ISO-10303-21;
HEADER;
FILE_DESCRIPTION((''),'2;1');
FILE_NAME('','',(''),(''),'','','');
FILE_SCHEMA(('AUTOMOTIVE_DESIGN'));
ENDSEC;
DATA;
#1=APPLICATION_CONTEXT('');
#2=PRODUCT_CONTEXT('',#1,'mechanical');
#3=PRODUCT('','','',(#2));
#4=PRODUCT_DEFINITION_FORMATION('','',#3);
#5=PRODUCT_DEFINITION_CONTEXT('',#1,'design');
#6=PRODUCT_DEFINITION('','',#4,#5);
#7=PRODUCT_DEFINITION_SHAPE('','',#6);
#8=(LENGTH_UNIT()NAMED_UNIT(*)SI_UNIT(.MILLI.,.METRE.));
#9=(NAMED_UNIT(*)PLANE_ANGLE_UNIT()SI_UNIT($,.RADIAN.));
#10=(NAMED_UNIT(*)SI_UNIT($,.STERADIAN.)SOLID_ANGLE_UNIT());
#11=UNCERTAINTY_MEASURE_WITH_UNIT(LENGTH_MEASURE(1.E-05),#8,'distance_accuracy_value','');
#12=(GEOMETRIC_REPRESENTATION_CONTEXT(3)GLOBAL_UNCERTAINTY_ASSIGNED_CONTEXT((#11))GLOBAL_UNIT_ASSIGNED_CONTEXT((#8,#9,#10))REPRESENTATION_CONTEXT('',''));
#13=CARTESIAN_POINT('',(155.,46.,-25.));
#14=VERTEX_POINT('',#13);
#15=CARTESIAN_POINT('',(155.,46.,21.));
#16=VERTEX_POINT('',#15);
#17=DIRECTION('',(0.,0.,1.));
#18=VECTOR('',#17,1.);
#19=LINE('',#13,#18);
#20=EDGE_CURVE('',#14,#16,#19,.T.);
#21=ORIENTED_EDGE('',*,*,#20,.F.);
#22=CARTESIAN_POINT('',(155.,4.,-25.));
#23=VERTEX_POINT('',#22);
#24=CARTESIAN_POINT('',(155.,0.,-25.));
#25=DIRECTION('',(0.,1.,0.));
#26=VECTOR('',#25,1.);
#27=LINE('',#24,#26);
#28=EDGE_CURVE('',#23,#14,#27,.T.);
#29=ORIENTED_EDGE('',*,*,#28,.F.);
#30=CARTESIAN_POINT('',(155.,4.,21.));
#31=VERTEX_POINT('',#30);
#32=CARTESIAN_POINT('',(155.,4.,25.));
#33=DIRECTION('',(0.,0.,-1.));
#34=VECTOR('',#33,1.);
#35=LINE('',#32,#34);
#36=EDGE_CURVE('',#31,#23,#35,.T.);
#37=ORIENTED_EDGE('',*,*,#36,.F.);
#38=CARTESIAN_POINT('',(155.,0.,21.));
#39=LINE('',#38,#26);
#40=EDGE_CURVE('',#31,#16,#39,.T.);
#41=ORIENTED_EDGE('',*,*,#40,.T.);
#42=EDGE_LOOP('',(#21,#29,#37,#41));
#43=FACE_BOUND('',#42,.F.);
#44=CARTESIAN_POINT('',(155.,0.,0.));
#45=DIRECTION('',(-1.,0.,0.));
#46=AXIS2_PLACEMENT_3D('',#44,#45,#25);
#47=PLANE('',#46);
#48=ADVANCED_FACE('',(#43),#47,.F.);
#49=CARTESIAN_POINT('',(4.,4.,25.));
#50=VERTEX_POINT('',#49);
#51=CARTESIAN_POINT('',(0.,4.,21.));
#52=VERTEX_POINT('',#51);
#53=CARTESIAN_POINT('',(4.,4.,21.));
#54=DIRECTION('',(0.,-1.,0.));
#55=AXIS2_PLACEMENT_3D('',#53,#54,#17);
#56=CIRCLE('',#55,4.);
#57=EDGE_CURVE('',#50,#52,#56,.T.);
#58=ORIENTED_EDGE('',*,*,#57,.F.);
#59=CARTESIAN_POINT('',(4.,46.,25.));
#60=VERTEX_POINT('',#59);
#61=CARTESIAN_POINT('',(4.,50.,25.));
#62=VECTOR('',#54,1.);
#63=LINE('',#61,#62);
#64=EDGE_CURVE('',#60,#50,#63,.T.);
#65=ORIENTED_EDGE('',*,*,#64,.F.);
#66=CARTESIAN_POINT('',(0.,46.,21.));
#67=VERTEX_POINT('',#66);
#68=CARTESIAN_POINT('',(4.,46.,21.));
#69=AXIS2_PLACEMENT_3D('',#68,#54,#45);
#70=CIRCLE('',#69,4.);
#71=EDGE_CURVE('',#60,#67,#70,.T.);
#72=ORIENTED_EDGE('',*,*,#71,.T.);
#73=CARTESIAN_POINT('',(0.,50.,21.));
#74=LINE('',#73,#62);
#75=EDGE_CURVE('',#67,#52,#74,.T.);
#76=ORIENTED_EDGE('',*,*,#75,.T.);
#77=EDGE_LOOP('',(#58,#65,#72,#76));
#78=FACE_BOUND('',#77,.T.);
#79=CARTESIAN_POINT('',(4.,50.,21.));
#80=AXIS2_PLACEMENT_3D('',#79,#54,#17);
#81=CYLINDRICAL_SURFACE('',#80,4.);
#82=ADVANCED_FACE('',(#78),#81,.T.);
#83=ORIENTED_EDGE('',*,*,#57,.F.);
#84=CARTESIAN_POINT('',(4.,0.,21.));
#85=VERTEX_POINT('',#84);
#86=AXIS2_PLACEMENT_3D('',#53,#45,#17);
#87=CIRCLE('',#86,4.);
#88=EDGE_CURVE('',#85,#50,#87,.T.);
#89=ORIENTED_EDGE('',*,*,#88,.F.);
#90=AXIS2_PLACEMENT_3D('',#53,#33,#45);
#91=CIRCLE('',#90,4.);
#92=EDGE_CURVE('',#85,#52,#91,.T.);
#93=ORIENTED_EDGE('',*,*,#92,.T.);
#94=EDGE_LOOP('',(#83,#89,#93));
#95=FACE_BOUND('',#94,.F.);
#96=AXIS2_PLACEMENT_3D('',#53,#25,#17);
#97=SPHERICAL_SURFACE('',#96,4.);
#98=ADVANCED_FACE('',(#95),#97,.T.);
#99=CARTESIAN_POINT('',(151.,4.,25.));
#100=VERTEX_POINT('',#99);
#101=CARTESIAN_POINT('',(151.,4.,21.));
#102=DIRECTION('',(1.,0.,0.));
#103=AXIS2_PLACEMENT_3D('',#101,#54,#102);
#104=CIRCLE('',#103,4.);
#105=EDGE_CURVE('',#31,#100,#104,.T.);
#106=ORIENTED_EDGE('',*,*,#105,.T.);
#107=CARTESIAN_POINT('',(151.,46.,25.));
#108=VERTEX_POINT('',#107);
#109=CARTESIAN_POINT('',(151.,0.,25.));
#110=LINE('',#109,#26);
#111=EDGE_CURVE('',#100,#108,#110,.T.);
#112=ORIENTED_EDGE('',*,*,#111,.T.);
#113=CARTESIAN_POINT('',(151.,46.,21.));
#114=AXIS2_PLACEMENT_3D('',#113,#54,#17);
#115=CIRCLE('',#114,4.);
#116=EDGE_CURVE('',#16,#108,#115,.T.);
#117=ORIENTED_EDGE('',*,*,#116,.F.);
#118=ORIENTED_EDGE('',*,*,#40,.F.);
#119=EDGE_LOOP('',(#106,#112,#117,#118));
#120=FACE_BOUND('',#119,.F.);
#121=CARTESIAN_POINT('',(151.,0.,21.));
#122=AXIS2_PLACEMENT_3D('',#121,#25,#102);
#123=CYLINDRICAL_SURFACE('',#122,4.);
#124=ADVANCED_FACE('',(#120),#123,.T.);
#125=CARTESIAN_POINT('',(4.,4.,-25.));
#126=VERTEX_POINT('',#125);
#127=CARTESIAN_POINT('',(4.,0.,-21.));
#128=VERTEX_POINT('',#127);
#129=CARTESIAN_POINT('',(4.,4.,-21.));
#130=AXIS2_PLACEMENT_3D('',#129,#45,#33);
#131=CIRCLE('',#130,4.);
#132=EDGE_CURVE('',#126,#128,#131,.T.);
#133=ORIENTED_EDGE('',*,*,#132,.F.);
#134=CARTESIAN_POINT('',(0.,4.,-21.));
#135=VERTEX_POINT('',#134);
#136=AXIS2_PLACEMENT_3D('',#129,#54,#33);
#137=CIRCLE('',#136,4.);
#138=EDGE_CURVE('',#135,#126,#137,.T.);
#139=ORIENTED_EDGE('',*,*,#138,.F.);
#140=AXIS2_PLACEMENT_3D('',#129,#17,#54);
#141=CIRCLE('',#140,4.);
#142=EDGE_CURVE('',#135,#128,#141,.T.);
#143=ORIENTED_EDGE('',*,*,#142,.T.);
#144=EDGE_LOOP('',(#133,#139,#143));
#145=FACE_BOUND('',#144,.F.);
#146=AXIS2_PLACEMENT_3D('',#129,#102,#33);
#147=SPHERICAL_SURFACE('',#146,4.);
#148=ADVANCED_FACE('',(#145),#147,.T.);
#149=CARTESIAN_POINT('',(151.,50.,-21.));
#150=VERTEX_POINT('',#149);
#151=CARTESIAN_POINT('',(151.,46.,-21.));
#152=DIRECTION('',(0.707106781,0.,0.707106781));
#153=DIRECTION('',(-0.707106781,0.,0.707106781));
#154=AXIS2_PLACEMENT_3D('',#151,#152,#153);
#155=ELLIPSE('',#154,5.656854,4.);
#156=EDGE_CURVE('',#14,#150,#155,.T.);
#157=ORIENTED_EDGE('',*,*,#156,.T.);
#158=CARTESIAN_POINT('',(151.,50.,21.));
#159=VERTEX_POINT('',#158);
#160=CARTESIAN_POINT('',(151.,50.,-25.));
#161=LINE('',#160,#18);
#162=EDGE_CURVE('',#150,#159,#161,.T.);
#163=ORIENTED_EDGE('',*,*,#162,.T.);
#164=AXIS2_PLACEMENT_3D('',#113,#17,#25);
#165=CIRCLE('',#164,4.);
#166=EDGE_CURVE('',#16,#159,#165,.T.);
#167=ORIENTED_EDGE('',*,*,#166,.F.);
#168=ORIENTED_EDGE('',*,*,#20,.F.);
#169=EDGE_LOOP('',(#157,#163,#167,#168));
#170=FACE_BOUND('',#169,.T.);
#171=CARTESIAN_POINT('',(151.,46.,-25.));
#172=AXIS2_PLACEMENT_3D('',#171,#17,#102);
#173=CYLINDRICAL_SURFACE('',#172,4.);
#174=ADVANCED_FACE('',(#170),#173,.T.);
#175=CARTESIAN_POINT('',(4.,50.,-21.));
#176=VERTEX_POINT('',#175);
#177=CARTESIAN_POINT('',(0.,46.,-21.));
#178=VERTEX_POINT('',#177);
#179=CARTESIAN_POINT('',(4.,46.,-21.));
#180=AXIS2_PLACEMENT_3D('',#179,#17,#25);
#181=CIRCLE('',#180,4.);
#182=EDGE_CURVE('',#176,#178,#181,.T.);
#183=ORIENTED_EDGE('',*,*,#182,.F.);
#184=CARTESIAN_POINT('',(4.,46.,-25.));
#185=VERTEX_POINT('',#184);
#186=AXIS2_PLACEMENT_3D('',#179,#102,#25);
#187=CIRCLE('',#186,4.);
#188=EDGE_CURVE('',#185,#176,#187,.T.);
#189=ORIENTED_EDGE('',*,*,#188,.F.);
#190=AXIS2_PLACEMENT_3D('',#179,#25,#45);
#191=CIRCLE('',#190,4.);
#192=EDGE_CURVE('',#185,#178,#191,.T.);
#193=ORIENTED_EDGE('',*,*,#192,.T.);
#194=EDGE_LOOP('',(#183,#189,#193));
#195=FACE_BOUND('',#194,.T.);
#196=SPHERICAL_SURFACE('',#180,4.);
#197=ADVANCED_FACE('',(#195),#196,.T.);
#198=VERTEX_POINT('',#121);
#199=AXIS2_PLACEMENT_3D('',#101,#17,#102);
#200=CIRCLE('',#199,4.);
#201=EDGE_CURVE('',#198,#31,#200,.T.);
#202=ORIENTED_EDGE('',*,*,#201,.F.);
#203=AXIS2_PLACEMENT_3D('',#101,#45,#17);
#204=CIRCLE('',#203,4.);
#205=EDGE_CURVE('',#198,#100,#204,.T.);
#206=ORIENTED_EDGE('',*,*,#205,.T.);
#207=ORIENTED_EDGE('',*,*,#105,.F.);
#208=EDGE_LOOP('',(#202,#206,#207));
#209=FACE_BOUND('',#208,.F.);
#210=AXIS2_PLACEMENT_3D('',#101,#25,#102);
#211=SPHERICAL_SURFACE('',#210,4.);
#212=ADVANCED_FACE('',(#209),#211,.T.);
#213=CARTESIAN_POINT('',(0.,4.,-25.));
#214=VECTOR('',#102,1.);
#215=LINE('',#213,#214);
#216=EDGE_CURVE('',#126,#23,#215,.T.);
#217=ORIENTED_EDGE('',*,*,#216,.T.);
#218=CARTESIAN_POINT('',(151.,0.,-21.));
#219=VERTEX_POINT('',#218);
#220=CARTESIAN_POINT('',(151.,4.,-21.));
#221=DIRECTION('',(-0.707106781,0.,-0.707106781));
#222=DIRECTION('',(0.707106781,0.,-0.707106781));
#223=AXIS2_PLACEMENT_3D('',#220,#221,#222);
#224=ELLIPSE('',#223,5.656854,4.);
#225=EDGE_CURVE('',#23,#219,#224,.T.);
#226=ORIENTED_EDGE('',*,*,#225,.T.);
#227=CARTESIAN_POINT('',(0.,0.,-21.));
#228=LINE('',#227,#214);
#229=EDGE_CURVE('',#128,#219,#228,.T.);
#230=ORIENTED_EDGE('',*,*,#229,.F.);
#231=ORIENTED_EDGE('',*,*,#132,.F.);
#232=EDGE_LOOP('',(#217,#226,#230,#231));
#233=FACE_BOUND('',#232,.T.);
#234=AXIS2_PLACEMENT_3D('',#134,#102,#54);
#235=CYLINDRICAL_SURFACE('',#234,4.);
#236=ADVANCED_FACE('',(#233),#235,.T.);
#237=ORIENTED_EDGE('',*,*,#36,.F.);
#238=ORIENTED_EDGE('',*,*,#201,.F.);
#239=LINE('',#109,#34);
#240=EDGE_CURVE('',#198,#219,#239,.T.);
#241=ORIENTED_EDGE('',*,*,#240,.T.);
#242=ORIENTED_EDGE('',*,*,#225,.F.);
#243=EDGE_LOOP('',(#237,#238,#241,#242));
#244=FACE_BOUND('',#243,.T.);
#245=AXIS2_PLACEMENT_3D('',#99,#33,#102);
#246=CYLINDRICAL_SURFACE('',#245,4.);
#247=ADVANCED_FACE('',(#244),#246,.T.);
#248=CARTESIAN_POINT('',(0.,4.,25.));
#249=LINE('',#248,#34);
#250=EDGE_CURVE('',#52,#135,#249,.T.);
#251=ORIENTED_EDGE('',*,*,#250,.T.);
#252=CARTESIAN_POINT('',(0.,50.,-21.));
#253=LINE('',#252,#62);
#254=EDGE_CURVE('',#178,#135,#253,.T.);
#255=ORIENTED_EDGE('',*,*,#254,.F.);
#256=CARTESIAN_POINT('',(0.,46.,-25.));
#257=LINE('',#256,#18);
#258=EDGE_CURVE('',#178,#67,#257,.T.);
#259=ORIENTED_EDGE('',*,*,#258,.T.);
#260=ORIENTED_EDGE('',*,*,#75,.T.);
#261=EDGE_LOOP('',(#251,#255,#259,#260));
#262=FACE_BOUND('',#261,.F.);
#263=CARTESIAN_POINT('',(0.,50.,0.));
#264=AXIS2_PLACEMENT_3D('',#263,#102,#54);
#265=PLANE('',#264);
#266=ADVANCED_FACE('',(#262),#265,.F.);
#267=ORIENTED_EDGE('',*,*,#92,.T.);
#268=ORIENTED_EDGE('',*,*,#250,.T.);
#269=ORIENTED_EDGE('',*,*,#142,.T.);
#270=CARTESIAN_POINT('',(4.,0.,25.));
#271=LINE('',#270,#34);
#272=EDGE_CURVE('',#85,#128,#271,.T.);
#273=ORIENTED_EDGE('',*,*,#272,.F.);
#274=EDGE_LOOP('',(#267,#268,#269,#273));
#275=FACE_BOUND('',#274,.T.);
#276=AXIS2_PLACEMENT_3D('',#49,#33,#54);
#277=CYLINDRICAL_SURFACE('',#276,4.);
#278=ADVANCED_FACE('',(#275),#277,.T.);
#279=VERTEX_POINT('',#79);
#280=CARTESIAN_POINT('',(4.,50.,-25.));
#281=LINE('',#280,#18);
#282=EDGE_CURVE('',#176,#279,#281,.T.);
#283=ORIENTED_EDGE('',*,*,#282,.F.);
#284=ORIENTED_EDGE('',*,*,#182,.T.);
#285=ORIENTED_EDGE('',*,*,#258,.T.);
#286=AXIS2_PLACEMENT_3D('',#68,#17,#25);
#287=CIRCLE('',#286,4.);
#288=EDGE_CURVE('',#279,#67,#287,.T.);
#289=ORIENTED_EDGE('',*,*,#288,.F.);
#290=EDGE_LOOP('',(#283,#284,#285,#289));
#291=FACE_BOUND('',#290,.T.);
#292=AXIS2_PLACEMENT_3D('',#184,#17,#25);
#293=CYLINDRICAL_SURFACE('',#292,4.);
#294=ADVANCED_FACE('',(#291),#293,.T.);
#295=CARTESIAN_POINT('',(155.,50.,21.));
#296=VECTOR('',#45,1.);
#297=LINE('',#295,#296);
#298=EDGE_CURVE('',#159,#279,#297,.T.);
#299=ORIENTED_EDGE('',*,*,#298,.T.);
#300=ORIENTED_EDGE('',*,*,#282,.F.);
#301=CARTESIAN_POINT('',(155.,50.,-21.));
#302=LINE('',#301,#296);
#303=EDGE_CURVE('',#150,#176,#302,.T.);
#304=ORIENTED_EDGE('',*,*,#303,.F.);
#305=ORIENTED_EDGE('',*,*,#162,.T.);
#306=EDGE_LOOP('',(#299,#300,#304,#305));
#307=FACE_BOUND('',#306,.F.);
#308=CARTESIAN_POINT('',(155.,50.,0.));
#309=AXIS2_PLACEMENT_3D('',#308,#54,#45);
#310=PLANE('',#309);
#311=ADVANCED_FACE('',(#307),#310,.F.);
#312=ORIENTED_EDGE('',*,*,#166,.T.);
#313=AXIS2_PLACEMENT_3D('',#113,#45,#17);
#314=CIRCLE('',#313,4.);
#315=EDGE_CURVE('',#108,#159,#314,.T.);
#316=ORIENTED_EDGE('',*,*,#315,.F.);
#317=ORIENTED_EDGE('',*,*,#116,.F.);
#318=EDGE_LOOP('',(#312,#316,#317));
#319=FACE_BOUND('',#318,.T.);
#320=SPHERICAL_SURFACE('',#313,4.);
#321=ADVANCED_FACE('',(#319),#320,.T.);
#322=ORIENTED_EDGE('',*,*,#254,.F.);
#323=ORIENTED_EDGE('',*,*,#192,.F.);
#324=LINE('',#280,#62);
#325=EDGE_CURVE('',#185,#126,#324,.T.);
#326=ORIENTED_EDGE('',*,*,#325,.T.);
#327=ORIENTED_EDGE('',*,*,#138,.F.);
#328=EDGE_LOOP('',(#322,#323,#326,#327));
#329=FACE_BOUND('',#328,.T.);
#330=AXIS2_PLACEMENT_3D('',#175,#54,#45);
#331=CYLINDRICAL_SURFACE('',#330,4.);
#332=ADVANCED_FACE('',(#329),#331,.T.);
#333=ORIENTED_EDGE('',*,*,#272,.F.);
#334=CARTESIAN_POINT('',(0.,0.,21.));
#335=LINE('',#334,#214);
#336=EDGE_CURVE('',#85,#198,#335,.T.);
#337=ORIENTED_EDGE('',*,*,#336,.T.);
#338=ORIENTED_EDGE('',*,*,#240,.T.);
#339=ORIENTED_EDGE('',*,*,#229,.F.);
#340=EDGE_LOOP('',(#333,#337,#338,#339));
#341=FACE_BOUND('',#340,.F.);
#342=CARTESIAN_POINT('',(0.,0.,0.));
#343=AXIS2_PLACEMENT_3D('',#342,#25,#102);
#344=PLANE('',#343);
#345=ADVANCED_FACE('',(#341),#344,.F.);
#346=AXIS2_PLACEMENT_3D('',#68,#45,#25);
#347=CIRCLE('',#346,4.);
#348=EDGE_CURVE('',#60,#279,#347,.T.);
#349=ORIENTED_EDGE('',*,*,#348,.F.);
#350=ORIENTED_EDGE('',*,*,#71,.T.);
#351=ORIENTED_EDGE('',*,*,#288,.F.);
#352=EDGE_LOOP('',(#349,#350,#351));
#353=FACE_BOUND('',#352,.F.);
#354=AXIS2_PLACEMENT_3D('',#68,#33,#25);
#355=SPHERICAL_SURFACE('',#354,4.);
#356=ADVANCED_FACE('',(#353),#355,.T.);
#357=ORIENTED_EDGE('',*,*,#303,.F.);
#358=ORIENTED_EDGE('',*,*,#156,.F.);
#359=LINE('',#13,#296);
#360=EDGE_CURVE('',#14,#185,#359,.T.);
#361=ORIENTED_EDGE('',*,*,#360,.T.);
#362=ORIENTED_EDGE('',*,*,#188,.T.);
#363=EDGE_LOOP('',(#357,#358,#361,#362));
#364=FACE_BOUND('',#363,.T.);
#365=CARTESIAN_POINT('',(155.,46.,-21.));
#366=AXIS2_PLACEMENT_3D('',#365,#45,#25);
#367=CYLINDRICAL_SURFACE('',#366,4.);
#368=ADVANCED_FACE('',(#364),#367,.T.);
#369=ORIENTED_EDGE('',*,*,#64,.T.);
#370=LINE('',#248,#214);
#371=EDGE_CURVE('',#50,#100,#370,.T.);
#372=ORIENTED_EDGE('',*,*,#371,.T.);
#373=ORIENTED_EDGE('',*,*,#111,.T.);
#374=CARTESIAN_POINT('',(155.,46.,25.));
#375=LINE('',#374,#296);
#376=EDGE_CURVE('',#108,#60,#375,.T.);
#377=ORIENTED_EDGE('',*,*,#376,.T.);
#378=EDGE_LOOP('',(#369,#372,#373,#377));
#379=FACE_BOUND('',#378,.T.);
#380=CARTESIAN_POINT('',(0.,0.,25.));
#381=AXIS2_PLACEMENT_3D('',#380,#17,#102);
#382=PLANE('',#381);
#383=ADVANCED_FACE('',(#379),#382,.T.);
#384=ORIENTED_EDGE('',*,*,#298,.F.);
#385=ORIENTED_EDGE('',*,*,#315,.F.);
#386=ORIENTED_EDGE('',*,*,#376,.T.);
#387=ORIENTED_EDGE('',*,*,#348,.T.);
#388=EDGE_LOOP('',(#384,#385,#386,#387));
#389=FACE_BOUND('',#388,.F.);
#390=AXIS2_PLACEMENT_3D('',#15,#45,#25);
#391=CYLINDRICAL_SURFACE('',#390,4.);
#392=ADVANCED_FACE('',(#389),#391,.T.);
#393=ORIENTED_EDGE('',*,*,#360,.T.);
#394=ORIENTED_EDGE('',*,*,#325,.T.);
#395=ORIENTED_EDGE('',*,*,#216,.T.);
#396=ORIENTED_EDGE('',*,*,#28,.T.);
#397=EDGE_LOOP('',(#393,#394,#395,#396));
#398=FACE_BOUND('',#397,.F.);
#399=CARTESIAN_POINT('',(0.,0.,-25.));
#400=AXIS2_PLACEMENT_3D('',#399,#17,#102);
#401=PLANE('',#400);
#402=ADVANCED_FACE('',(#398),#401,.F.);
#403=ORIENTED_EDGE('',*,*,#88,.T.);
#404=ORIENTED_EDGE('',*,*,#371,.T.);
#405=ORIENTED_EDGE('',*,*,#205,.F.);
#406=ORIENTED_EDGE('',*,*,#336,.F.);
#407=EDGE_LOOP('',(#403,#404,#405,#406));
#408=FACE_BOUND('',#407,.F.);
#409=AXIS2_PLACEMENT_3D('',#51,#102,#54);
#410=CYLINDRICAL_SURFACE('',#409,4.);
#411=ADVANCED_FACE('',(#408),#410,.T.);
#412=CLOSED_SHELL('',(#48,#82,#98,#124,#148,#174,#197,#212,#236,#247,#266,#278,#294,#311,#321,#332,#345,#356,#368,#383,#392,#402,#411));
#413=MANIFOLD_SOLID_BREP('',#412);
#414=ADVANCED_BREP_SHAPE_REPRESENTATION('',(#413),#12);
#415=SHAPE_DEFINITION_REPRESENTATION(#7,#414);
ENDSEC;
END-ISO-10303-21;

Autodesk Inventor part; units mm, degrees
ref_plane "YZ Plane" through (0, 0, 0) normal (1, 0, 0) x (0, 1, 0)
ref_plane "XZ Plane" through (0, 0, 0) normal (0, 1, 0) x (-1, 0, 0)
ref_plane "XY Plane" through (0, 0, 0) normal (0, 0, 1) x (1, 0, 0)
sketch "Эскиз1" plane through (0, 0, 0) normal (0, 0, 1) x (1, 0, 0)
  line L0 (155, 50) -> (0, 50)
  line L1 (0, 50) -> (0, 0)
  line L2 (0, 0) -> (155, 0)
  line L3 (155, 0) -> (155, 50)
  dimension "d0" = 155
  dimension "d1" = 50
extrude "Выдавливание1" add sketch "Эскиз1" along normal mid plane 50
fillet "Сопряжение1" radius 4 11 edges at (0, 50, 0) (77.5, 50, 25) (0, 25, 25) (155, 25, 25) (155, 50, 0) (155, 0, 0) (77.5, 0, 25) (77.5, 0, -25) (77.5, 50, -25) (0, 25, -25) (0, 0, 0)
properties part number "Батарея"
